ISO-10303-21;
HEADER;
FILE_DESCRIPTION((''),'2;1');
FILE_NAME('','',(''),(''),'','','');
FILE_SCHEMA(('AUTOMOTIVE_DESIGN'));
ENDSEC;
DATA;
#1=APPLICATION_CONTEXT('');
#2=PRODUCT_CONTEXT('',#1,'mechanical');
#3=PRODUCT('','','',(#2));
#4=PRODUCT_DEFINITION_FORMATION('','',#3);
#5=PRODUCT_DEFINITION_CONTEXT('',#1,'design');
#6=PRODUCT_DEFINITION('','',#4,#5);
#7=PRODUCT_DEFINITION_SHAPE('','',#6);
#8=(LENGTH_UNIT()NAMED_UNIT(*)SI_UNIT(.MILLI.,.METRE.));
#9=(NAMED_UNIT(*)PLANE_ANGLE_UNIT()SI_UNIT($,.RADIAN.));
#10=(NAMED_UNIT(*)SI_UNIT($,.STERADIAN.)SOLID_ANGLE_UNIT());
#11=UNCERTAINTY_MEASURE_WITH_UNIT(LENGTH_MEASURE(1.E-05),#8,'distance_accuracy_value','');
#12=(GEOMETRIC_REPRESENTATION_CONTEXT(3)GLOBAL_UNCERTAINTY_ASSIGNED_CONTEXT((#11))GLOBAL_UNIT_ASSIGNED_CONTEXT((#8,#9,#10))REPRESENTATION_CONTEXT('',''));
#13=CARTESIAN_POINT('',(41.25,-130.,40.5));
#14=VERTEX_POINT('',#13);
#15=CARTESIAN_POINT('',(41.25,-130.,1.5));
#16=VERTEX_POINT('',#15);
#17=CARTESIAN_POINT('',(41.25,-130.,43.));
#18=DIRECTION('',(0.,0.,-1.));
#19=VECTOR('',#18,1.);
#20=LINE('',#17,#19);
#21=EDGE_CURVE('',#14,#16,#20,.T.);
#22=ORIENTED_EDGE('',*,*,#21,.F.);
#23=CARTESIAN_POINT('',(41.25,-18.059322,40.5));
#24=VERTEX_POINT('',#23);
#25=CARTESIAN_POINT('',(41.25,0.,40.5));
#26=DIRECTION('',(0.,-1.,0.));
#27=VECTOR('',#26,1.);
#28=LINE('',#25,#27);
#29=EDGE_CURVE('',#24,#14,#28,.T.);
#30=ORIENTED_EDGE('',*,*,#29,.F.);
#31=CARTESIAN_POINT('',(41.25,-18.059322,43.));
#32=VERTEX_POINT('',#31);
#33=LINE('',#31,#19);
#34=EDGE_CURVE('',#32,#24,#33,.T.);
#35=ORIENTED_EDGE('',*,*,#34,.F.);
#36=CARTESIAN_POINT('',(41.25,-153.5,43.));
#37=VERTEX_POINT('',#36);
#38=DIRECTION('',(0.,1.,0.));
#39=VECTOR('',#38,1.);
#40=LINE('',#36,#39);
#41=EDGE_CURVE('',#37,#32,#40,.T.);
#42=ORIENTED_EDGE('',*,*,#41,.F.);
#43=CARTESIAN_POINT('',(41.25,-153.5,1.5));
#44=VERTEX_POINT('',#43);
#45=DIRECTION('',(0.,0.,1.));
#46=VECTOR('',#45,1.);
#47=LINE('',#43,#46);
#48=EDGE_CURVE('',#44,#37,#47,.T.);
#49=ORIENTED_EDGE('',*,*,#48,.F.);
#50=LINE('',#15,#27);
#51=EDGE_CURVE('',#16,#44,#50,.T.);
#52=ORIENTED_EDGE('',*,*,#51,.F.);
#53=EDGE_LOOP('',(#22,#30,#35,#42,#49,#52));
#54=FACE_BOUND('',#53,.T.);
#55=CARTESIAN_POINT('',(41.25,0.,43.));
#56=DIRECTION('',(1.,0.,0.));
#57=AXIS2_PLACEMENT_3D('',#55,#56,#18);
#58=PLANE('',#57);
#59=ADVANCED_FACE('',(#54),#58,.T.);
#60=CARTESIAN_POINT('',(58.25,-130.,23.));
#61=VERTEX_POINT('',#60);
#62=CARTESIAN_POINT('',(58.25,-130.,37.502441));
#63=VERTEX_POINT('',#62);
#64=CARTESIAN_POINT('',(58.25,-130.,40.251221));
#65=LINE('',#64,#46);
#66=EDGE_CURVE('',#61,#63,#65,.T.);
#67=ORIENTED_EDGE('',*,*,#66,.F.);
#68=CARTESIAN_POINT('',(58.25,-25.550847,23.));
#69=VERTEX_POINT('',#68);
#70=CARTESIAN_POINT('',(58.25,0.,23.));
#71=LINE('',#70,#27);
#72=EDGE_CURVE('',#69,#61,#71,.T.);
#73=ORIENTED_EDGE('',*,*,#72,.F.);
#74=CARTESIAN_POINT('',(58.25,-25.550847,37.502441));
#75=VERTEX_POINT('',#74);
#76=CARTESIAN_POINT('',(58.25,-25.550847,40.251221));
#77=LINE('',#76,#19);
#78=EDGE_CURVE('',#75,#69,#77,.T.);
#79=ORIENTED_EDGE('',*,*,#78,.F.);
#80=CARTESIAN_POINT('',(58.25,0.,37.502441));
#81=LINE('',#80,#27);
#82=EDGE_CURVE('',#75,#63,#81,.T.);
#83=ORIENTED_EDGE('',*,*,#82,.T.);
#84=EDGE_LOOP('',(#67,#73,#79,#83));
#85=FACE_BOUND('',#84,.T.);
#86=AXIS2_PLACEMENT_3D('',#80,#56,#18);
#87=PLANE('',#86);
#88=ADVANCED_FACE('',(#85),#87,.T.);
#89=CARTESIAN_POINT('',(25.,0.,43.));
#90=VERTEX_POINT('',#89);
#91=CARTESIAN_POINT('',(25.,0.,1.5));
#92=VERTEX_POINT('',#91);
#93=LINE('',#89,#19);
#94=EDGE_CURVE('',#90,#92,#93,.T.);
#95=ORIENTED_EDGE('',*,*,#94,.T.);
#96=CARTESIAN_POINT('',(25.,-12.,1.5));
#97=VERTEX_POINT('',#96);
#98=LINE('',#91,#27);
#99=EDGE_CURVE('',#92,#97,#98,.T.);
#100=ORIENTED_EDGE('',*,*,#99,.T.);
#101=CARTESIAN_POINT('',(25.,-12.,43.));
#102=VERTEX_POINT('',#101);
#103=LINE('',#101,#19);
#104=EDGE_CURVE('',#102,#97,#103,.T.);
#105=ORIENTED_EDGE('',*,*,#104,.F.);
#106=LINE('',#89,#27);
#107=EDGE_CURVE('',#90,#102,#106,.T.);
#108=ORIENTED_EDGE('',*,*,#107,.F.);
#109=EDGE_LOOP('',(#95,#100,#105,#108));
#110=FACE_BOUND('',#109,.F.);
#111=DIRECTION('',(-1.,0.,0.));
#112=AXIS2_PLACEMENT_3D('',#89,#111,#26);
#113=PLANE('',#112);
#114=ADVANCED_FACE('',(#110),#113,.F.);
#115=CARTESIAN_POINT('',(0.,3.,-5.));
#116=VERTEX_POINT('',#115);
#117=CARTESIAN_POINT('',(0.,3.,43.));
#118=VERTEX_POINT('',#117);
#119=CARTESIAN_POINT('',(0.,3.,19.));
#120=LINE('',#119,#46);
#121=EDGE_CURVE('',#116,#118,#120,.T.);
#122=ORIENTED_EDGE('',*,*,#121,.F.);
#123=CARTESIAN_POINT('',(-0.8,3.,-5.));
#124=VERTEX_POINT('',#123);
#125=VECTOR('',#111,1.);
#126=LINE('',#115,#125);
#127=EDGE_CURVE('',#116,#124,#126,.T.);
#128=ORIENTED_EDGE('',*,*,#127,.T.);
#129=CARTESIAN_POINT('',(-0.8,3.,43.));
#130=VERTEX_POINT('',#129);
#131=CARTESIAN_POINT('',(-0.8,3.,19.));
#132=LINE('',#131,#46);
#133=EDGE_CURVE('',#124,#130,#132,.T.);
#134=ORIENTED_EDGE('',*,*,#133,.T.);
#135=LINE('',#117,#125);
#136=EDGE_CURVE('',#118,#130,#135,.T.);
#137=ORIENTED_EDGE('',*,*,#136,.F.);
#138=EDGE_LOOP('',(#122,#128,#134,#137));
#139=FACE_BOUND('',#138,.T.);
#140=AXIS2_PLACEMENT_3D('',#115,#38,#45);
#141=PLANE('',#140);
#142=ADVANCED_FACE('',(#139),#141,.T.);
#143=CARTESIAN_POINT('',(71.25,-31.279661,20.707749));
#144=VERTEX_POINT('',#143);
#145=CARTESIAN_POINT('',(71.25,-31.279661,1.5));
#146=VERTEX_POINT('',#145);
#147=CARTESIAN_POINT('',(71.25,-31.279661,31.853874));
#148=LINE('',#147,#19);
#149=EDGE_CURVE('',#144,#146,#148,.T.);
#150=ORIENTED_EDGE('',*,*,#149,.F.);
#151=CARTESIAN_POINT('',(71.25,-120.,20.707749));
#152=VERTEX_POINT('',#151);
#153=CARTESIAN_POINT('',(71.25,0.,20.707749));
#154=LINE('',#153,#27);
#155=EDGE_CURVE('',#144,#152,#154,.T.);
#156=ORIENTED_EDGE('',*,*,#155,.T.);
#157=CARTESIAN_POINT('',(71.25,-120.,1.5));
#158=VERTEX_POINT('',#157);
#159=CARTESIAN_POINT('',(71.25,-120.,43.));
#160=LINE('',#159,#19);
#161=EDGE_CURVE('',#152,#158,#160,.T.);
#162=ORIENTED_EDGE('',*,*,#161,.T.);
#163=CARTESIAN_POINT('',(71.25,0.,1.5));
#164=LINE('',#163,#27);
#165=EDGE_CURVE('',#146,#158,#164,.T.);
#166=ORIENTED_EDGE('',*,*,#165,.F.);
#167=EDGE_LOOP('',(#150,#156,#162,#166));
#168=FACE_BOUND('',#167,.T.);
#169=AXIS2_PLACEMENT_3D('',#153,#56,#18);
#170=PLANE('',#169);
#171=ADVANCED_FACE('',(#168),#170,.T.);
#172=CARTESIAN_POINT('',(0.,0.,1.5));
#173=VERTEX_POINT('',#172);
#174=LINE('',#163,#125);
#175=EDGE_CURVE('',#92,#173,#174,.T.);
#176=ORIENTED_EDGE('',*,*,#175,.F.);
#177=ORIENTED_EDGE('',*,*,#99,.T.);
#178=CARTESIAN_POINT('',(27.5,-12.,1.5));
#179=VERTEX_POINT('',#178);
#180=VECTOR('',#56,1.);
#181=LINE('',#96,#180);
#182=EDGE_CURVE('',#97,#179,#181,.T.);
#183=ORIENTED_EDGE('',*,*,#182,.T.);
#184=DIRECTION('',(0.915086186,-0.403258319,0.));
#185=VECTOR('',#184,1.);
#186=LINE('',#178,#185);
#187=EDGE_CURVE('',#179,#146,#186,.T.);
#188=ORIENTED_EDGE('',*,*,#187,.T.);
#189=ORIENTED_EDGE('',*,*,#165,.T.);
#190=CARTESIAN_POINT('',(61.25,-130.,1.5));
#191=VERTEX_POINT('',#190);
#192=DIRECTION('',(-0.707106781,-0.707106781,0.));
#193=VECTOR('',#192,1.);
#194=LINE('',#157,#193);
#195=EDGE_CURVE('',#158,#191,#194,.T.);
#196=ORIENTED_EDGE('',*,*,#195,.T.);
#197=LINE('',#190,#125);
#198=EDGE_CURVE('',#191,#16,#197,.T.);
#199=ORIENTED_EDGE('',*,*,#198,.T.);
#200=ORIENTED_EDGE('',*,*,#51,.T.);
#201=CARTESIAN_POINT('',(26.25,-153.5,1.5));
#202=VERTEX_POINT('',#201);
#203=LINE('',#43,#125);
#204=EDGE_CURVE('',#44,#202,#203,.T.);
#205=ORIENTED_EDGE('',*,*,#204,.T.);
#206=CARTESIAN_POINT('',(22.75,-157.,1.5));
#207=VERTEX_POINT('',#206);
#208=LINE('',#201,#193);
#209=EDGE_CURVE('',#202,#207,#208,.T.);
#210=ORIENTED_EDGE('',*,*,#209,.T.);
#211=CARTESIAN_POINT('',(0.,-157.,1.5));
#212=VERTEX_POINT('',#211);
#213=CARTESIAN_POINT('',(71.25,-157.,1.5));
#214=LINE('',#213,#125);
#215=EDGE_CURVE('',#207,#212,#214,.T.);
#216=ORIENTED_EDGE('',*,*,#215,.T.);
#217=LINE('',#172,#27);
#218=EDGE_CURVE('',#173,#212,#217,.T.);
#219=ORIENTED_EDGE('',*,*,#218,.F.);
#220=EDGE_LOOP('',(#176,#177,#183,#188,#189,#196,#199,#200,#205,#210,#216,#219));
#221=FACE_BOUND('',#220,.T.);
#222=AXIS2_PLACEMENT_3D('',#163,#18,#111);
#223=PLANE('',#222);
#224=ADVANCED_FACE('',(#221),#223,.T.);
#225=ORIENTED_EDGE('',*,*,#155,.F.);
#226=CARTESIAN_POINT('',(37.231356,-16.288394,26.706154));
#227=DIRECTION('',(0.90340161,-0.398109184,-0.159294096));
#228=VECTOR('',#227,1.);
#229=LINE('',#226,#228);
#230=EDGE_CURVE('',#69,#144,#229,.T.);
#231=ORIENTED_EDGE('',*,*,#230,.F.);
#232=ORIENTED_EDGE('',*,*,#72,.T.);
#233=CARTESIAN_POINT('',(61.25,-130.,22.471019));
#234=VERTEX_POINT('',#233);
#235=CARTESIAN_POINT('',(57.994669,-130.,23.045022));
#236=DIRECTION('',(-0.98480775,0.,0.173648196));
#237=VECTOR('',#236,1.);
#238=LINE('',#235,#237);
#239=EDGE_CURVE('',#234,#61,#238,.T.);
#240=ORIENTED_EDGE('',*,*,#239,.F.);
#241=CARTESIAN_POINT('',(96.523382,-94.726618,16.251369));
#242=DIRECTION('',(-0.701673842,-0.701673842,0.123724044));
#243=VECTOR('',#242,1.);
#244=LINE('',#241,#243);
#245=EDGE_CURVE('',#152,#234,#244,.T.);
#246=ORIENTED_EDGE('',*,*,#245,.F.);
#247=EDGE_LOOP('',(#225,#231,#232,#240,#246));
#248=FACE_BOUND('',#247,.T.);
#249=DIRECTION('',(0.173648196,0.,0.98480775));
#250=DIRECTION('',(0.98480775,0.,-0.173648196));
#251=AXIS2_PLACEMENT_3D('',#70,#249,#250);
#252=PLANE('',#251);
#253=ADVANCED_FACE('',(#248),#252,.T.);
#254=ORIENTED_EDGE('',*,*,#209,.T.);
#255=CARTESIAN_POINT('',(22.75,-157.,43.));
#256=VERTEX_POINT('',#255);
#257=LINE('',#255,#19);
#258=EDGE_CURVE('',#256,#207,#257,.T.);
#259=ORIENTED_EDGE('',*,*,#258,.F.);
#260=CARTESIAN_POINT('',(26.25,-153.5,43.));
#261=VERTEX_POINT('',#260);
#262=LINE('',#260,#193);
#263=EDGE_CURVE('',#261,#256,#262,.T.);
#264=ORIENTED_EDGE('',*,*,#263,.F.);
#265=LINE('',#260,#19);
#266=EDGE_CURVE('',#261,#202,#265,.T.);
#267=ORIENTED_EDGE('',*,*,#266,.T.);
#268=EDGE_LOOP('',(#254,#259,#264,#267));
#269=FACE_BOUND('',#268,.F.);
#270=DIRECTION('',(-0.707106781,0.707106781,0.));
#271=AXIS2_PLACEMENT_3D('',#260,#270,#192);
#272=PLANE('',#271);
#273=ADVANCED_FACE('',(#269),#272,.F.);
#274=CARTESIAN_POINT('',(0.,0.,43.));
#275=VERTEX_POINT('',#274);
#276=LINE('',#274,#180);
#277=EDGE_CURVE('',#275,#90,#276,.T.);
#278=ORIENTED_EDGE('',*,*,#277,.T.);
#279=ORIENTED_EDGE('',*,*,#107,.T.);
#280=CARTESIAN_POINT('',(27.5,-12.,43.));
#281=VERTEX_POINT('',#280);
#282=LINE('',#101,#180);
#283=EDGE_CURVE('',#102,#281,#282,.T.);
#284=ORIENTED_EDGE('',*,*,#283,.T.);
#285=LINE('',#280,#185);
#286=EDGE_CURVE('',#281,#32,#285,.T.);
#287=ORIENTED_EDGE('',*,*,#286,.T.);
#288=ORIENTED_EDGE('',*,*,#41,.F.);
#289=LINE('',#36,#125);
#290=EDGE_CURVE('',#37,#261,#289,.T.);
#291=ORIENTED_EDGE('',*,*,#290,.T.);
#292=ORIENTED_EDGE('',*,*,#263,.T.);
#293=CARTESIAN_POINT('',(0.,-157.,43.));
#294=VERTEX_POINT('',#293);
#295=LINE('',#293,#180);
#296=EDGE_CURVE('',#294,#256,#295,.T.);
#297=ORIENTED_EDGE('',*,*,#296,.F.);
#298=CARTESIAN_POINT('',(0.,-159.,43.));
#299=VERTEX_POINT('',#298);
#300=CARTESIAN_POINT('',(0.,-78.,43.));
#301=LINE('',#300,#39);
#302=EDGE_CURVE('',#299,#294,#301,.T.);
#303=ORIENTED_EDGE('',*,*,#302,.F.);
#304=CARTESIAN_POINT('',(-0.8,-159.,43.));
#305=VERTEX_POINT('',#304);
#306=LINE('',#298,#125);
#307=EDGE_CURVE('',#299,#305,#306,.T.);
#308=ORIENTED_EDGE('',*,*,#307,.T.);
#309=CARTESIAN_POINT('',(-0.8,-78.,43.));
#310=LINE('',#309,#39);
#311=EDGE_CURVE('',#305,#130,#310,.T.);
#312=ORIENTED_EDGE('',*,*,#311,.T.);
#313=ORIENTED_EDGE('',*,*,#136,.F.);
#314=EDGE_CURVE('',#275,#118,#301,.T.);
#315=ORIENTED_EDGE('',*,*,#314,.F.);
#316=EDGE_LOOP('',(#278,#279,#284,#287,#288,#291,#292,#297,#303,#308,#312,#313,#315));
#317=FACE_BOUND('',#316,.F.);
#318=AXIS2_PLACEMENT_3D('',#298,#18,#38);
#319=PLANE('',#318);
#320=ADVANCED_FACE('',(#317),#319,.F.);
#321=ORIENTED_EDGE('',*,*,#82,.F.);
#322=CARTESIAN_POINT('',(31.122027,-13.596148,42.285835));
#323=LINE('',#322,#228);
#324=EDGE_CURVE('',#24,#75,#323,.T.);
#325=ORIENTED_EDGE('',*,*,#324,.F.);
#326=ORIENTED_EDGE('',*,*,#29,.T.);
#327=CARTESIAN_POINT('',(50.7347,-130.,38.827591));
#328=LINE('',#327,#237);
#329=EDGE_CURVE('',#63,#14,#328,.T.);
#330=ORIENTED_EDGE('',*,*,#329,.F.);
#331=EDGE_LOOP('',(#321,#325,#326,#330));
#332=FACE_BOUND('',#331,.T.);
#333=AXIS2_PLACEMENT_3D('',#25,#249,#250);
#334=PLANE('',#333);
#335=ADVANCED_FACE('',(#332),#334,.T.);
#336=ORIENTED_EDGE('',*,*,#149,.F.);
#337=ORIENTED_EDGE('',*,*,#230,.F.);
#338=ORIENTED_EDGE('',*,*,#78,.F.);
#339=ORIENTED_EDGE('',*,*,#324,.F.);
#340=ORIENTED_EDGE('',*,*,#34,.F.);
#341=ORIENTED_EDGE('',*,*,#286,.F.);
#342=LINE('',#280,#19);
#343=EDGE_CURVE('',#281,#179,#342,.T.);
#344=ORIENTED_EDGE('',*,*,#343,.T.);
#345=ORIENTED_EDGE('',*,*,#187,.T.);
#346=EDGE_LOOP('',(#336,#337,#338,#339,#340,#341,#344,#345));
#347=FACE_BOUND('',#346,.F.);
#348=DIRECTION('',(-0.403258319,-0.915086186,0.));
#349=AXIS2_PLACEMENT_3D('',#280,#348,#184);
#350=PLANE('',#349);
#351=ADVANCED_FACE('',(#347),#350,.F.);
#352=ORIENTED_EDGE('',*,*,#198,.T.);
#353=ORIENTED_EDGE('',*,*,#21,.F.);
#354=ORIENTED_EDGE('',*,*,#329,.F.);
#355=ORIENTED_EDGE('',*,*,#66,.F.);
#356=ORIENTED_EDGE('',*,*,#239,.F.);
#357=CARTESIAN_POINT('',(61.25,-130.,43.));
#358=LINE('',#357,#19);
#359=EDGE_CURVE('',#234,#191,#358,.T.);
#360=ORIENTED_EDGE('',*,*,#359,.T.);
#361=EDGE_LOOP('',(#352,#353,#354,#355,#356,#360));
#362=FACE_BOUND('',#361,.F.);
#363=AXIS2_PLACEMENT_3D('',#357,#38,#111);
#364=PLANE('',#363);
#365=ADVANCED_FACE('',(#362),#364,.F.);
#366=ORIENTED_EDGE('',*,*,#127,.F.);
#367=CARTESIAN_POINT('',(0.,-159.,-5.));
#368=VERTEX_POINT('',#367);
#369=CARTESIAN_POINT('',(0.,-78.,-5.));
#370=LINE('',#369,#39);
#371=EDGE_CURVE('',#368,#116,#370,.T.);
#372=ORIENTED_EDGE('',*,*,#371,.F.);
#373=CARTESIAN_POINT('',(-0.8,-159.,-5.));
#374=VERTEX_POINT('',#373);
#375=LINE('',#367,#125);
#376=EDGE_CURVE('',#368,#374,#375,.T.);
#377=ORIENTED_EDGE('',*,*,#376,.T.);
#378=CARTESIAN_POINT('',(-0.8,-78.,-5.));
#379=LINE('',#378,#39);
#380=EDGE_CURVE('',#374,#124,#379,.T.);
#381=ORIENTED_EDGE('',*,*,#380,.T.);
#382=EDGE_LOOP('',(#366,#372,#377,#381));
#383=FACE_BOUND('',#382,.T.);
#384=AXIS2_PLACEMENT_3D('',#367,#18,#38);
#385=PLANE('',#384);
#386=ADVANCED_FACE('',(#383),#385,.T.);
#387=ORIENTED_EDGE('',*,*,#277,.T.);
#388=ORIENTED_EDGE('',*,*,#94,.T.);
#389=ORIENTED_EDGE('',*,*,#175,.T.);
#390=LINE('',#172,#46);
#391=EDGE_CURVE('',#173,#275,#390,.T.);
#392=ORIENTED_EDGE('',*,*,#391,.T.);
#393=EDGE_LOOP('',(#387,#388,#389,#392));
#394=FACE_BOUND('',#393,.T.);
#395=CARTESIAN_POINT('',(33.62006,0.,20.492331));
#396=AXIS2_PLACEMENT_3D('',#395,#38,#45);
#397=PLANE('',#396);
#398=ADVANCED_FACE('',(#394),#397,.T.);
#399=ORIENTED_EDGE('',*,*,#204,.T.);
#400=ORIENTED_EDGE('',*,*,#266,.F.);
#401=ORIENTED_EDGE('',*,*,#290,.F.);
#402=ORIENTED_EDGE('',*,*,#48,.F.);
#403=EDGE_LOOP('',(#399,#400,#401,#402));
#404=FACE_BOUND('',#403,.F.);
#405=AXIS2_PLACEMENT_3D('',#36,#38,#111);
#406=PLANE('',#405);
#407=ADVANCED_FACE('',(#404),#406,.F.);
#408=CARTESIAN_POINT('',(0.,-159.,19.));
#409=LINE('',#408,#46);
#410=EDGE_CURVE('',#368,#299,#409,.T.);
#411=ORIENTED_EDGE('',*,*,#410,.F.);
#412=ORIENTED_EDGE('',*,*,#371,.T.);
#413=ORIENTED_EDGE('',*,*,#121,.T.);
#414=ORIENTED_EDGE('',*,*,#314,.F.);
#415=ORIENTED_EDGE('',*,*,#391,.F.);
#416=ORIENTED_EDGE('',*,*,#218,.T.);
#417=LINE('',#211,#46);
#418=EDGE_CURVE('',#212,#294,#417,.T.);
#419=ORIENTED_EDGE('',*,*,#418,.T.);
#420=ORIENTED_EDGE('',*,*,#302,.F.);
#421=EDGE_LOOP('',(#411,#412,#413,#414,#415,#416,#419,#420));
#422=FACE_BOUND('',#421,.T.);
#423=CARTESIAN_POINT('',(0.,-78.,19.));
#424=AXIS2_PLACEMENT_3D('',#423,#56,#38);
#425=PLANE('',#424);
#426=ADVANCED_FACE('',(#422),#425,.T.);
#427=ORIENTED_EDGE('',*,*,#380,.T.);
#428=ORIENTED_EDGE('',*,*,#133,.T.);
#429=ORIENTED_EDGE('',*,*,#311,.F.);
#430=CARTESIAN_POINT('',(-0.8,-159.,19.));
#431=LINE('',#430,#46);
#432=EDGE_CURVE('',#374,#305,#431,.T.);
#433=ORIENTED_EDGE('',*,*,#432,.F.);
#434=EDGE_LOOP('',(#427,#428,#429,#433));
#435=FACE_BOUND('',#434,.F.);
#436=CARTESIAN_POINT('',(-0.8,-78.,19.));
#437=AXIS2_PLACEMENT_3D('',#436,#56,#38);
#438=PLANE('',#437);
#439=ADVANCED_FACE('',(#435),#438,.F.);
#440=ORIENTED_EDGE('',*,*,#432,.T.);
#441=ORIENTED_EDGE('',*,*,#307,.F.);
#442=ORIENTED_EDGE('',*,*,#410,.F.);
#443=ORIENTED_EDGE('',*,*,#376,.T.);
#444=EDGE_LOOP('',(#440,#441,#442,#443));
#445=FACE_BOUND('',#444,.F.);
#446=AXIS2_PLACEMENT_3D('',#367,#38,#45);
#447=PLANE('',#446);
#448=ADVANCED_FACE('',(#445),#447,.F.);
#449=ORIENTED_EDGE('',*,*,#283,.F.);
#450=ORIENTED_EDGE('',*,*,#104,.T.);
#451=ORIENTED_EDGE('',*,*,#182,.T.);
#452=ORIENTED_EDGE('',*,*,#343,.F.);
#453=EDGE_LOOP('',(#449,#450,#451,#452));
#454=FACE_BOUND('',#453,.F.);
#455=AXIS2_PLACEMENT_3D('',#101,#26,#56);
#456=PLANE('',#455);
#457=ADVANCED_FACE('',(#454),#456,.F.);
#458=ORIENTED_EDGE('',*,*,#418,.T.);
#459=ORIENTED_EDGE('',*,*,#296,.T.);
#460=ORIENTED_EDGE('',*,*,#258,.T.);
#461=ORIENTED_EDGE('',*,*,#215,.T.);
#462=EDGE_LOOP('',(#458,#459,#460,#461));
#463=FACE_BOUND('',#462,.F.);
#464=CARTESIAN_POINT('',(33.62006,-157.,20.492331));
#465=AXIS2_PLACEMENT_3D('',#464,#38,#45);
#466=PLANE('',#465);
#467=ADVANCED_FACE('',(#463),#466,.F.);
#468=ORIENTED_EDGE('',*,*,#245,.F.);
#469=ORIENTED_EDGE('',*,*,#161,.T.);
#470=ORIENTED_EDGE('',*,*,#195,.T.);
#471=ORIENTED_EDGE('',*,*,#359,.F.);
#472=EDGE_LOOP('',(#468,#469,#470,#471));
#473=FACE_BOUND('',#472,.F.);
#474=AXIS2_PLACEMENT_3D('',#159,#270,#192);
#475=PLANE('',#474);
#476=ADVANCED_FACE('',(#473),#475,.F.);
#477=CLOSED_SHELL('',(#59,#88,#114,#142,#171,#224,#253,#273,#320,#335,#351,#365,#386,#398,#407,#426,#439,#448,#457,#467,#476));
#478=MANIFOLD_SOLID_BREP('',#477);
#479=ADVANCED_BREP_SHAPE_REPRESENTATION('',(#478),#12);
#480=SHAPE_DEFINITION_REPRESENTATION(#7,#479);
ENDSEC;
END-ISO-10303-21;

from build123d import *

# Parameters (mm, degrees)
SKETCH006_W     = 162
SKETCH006_H     = 48
PAD005_DEPTH    = 0.8
PAD006_DEPTH    = 157
POCKET001_DEPTH = 41.5


with BuildPart() as part:
    # Sketch006 → Pad005 (new body)
    with BuildSketch(Plane.YZ):
        with Locations((-78, 19)):
            Rectangle(SKETCH006_W, SKETCH006_H)
    extrude(amount=-PAD005_DEPTH)

    # Sketch007 (on DatumPlane) → Pad006 (join)
    with BuildSketch(Plane.ZX):
        Polygon((1.5, 0), (43, 0), (43, 41.25), (40.5, 41.25), (37.502441, 58.25), (23, 58.25), (20.707749, 71.25), (1.5, 71.25), align=None)
    extrude(amount=-PAD006_DEPTH)

    # Sketch008 (on Face5 of Pad006) → Pocket001 (cut)
    with BuildSketch(Plane(origin=(0, 0, 43), x_dir=(0, -1, 0), z_dir=(0, 0, 1))):
        Polygon((0, 25), (12, 25), (12, 27.5), (31.5, 71.75), (0, 71.75), align=None)
        Polygon((157, 22.75), (157, 71.25), (120, 71.25), (130, 61.25), (130, 41.25), (153.5, 41.25), (153.5, 26.25), align=None)
    extrude(amount=-POCKET001_DEPTH, mode=Mode.SUBTRACT)


solid = part.part
